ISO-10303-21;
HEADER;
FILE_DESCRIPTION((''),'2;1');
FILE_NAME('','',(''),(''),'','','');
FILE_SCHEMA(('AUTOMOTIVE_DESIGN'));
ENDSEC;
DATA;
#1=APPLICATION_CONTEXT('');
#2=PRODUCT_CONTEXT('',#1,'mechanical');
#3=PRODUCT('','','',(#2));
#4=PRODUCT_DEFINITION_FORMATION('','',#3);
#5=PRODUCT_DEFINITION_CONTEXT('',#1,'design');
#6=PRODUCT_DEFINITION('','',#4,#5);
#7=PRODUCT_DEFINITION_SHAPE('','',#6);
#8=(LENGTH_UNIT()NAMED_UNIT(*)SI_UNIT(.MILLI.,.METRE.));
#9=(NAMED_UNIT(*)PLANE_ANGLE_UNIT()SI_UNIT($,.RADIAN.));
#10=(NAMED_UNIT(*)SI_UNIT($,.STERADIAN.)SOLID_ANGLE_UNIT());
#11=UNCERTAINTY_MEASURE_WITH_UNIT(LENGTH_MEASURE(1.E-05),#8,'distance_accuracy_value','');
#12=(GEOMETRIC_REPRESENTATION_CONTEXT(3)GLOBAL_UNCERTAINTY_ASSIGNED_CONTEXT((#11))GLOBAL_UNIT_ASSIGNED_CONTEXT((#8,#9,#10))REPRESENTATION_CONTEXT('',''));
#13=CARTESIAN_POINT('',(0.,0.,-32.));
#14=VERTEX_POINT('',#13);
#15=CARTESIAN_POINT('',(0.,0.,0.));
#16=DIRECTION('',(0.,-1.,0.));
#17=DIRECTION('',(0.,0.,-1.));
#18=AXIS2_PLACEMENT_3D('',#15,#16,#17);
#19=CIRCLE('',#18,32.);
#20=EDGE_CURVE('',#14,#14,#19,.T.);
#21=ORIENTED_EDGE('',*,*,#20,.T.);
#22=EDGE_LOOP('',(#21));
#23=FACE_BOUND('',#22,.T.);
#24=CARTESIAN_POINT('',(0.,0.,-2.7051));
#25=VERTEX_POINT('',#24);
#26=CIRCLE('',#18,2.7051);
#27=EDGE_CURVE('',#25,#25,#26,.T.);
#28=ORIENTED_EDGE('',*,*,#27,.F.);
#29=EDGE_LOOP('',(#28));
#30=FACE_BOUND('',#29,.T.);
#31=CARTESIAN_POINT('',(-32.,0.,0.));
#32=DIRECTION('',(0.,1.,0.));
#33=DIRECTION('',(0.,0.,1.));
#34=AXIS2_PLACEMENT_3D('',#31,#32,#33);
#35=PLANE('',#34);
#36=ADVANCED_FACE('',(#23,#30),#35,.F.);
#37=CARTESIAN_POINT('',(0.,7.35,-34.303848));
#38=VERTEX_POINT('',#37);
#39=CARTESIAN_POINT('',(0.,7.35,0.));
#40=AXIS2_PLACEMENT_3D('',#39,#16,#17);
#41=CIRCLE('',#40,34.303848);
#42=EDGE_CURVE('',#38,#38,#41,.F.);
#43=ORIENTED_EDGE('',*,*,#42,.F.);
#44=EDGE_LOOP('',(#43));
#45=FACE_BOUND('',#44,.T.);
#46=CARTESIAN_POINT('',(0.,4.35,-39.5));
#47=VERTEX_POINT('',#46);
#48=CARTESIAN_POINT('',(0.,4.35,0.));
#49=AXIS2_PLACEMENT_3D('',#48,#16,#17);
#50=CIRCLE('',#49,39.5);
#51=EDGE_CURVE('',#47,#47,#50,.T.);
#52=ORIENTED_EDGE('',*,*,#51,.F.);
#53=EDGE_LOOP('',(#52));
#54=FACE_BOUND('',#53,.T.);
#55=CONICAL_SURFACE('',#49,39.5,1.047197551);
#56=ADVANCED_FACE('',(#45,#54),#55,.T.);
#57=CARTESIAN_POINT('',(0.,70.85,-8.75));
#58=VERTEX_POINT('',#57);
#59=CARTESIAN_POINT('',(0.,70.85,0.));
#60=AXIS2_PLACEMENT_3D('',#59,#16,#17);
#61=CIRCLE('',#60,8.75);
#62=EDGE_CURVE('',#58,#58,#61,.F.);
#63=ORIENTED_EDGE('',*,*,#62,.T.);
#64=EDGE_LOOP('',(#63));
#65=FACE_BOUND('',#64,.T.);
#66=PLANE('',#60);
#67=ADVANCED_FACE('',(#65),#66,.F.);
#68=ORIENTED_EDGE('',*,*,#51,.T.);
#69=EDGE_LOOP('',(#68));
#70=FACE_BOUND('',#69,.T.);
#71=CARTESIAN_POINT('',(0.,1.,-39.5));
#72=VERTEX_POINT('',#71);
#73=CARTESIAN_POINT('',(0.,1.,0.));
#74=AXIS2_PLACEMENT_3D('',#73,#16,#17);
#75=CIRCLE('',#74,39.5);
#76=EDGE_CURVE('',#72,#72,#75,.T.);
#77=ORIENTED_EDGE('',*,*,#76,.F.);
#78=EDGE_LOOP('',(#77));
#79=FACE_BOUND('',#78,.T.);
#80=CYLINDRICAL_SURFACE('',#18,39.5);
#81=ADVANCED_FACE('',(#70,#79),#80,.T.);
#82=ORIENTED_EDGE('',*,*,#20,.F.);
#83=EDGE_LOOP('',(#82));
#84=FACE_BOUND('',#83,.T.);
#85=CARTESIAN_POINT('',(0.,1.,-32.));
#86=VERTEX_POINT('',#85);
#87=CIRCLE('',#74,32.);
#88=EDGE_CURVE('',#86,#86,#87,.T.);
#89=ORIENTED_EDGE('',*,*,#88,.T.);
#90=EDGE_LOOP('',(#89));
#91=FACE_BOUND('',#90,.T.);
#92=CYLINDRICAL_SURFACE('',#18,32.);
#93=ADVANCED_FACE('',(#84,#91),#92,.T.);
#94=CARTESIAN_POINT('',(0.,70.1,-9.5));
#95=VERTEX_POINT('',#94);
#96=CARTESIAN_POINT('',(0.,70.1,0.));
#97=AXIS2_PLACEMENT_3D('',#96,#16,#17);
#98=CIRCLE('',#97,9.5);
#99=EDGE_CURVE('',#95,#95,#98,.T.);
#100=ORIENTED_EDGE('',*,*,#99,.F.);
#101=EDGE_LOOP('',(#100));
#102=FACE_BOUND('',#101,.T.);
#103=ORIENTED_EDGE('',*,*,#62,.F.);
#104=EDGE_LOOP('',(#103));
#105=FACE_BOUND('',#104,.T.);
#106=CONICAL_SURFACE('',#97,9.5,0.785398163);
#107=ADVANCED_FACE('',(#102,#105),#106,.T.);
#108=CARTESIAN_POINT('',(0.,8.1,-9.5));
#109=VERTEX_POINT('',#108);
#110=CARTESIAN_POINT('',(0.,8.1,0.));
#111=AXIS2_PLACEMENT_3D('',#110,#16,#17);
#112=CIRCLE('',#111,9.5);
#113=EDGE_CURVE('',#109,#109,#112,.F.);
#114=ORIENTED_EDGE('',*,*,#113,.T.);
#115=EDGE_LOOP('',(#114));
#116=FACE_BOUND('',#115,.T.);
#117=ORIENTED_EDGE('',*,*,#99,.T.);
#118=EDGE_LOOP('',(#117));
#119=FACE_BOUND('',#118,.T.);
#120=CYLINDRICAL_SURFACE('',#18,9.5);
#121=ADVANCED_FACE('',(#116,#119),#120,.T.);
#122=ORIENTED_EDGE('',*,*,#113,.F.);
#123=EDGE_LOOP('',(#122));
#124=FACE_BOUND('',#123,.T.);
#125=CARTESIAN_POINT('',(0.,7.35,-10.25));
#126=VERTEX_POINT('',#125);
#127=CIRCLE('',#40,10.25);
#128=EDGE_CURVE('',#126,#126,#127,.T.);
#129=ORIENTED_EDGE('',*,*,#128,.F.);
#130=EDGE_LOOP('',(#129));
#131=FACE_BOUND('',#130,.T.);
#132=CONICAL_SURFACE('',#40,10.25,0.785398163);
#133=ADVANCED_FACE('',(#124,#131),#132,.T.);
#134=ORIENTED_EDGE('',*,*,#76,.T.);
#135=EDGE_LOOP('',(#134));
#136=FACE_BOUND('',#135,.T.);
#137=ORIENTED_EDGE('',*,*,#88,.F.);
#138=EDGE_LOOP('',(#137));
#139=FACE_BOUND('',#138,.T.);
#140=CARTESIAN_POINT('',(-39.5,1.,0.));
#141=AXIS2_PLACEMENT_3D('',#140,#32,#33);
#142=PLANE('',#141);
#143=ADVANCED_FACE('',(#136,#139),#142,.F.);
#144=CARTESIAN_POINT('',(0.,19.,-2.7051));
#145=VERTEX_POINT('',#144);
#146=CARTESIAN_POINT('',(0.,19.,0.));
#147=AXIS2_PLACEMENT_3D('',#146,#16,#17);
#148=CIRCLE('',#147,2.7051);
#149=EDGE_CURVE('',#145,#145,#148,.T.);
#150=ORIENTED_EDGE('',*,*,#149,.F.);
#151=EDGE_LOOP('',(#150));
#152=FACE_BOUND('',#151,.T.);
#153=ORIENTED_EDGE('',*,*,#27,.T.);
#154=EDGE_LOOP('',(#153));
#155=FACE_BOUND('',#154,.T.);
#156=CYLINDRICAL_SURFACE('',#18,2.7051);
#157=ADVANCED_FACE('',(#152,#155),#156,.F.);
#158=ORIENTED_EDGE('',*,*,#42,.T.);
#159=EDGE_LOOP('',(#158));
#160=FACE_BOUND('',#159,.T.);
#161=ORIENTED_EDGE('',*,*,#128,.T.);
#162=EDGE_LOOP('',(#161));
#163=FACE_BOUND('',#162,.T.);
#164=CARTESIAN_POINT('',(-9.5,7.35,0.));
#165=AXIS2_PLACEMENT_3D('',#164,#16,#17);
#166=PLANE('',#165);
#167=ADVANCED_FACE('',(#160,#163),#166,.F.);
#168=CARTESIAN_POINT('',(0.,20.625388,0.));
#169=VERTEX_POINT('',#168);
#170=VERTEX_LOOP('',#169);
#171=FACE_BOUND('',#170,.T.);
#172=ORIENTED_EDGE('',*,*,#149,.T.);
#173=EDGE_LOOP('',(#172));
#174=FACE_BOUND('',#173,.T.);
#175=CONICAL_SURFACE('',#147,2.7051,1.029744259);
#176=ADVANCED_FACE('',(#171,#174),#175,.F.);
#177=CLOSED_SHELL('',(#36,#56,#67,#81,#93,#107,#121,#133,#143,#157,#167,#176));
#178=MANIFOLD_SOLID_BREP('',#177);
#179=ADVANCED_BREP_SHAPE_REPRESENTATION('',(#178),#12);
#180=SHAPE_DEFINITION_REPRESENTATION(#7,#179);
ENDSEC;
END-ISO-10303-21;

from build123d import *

# Parameters (mm, degrees)
CHAMFER1_SIZE               = 0.75
CHAMFER2_SIZE               = 3
CHAMFER2_SIZE2              = 5.196152423
F_1_4_28_TAPPED_HOLE2_D     = 5.4102
F_1_4_28_TAPPED_HOLE2_DEPTH = 19
F_1_4_28_TAPPED_HOLE2_TIP   = 1.625388061


with BuildPart() as part:
    # Sketch1 → Revolve1 (revolve)
    with BuildSketch(Plane.XY):
        Polygon((0, 0), (0, 70.85), (-9.5, 70.85), (-9.5, 7.35), (-39.5, 7.35), (-39.5, 1), (-32, 1), (-32, 0), align=None)
    revolve(axis=Axis((0, 0, 0), (0, 1, 0)))

    # Chamfer1
    chamfer1_edges = [part.edges().sort_by_distance(p)[0] for p in [
        (9.5, 7.35, 0),
        (9.5, 70.85, 0),
    ]]
    chamfer(chamfer1_edges, length=CHAMFER1_SIZE)

    # Chamfer2
    chamfer2_edges = [part.edges().sort_by_distance(p)[0] for p in [
        (39.5, 7.35, 0),
    ]]
    chamfer2_side = [part.faces().sort_by_distance(p)[0] for p in [
        (39.5, 4.175, 0),
    ]]
    chamfer(chamfer2_edges, length=CHAMFER2_SIZE, length2=CHAMFER2_SIZE2, reference=chamfer2_side[0])

    # 1/4-28 Tapped Hole2
    with Locations(Plane(origin=(0, 0, 0), x_dir=(-1, 0, 0), z_dir=(0, -1, 0))):
        with Locations((86.483740344, -12.823451155), (0, 0)):
            Hole(F_1_4_28_TAPPED_HOLE2_D / 2, depth=F_1_4_28_TAPPED_HOLE2_DEPTH)
            with Locations((0, 0, -(F_1_4_28_TAPPED_HOLE2_DEPTH + F_1_4_28_TAPPED_HOLE2_TIP / 2))):  # 118° drill point
                Cone(0, F_1_4_28_TAPPED_HOLE2_D / 2, F_1_4_28_TAPPED_HOLE2_TIP, mode=Mode.SUBTRACT)


solid = part.part
